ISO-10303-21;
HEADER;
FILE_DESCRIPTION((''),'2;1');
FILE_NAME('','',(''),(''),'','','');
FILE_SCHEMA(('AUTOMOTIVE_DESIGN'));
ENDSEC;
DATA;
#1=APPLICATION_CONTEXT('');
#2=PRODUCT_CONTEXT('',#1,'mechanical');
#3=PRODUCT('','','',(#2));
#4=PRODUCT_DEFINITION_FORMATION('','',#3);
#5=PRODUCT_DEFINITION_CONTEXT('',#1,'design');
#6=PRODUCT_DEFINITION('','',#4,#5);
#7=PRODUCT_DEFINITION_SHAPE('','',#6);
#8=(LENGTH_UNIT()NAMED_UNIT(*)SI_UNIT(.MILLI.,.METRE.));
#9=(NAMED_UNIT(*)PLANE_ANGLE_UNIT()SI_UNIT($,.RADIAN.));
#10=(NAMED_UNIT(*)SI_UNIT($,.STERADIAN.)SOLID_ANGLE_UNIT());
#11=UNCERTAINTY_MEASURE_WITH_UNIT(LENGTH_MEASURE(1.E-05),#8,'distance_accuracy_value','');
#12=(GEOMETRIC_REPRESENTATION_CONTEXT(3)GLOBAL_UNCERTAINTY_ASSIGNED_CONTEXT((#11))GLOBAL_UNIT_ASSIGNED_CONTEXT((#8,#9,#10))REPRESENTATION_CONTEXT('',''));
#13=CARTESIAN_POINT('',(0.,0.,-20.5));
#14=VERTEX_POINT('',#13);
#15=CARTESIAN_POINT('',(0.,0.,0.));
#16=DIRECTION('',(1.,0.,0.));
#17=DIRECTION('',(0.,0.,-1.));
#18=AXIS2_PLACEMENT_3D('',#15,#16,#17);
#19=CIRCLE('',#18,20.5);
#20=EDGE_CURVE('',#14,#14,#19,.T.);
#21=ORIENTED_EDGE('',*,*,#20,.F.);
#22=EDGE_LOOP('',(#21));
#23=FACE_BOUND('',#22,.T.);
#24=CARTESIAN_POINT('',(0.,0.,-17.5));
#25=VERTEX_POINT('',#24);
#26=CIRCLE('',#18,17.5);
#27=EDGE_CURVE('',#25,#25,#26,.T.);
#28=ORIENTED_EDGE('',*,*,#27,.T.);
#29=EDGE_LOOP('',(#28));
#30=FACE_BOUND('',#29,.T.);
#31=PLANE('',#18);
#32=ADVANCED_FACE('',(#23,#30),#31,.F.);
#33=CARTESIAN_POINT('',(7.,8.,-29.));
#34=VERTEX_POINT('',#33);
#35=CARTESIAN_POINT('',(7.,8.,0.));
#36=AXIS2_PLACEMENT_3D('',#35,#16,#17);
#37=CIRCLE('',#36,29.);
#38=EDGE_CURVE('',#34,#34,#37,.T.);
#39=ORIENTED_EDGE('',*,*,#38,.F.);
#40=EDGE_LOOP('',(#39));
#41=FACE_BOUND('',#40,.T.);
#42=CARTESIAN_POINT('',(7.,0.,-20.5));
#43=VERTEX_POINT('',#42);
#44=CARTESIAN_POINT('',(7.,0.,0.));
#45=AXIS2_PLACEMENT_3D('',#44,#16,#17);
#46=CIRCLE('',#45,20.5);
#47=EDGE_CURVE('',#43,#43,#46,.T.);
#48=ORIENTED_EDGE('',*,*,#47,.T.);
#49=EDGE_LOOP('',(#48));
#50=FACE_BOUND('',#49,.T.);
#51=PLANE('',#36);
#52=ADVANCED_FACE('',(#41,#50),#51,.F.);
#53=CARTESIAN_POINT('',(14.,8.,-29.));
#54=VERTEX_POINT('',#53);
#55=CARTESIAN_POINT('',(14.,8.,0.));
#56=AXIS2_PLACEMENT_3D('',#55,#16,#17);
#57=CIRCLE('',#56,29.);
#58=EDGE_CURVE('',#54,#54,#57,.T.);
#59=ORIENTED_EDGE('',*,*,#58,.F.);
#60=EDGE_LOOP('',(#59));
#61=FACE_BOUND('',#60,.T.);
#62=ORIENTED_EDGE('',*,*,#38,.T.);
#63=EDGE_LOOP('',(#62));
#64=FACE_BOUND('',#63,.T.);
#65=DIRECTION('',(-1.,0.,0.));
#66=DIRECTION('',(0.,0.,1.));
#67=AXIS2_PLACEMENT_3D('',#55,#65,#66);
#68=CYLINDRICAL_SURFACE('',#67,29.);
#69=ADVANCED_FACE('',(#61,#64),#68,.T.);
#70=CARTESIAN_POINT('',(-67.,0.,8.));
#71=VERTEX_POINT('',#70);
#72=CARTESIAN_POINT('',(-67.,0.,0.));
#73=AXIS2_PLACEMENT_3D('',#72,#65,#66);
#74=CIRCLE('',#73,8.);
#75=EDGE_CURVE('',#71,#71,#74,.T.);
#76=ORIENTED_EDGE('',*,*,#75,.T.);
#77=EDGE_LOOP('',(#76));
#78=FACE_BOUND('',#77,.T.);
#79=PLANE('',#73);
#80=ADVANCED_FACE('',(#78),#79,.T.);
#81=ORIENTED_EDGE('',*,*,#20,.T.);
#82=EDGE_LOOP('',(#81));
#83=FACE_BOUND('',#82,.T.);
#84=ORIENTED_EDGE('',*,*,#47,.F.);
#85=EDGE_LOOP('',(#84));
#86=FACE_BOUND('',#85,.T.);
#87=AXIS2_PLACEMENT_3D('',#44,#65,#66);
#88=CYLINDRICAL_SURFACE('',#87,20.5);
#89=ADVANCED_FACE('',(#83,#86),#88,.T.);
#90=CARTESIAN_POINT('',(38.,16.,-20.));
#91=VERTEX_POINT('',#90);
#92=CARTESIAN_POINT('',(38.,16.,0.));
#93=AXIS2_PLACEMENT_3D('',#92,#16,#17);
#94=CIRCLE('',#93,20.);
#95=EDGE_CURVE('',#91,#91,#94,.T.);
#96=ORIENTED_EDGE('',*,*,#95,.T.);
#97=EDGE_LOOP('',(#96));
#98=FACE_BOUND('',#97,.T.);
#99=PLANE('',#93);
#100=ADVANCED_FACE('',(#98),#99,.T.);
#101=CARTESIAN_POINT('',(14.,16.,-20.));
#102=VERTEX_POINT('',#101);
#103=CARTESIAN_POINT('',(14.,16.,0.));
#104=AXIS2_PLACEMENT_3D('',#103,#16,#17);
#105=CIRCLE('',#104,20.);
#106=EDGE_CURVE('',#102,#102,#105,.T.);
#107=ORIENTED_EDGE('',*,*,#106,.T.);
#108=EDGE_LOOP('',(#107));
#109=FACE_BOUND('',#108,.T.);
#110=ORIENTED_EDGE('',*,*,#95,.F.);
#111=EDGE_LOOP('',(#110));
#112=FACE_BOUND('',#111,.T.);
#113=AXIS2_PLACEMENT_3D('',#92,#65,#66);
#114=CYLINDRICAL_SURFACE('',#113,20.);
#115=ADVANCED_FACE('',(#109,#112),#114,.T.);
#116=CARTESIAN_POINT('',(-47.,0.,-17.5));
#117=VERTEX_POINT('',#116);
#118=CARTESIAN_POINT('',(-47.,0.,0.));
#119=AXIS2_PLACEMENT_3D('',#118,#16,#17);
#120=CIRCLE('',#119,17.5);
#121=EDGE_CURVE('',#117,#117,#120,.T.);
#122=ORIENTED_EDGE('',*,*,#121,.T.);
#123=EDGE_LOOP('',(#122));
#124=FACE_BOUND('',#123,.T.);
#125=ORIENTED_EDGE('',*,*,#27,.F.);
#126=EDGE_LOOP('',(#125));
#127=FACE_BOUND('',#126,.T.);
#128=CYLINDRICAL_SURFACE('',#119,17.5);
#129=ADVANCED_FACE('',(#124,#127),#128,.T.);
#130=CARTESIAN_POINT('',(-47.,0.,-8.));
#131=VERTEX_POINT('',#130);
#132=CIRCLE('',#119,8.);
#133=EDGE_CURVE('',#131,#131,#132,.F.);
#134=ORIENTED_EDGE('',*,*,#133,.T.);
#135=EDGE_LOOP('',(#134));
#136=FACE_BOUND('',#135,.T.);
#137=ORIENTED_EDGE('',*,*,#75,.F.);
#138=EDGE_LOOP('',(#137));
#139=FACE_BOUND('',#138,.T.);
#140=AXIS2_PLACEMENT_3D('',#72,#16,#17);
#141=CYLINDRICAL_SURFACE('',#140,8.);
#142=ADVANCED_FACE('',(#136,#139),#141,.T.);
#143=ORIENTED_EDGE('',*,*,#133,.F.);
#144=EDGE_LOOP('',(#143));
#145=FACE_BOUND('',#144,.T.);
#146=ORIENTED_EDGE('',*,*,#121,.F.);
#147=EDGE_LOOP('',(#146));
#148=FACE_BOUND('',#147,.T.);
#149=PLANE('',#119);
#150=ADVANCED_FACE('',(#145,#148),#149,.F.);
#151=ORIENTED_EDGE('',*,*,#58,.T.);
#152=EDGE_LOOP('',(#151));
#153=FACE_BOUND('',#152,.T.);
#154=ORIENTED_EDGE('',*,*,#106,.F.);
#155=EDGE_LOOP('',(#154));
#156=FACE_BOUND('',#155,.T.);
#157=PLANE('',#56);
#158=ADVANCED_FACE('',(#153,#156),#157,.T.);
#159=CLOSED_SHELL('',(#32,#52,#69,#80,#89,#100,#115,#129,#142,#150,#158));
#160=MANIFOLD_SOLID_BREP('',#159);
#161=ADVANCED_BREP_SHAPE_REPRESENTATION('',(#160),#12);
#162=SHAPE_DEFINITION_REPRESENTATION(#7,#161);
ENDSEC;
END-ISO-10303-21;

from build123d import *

# Parameters (mm, degrees)
ESQUISSE2_R        = 17.5
BOSS_EXTRU_1_DEPTH = 47
ESQUISSE3_R        = 8
BOSS_EXTRU_2_DEPTH = 20
ESQUISSE4_R        = 20.5
BOSS_EXTRU_3_DEPTH = 7
ESQUISSE5_R        = 29
BOSS_EXTRU_4_DEPTH = 7
ESQUISSE6_R        = 20
BOSS_EXTRU_5_DEPTH = 24


with BuildPart() as part:
    # Esquisse2 → Boss.-Extru.1 (new body)
    with BuildSketch(Plane(origin=(0, 0, 0), x_dir=(0, 0, -1), z_dir=(1, 0, 0))):
        Circle(ESQUISSE2_R)
    extrude(amount=-BOSS_EXTRU_1_DEPTH)

    # Esquisse3 → Boss.-Extru.2 (add)
    with BuildSketch(Plane.ZY.offset(47)):
        Circle(ESQUISSE3_R)
    extrude(amount=BOSS_EXTRU_2_DEPTH)

    # Esquisse4 → Boss.-Extru.3 (add)
    with BuildSketch(Plane(origin=(0, 0, 0), x_dir=(0, 0, -1), z_dir=(1, 0, 0))):
        Circle(ESQUISSE4_R)
    extrude(amount=BOSS_EXTRU_3_DEPTH)

    # Esquisse5 → Boss.-Extru.4 (add)
    with BuildSketch(Plane(origin=(7, 0, 0), x_dir=(0, 0, -1), z_dir=(1, 0, 0))):
        with Locations((0, 8)):
            Circle(ESQUISSE5_R)
    extrude(amount=BOSS_EXTRU_4_DEPTH)

    # Esquisse6 → Boss.-Extru.5 (add)
    with BuildSketch(Plane(origin=(14, 0, 0), x_dir=(0, 0, -1), z_dir=(1, 0, 0))):
        with Locations((0, 16)):
            Circle(ESQUISSE6_R)
    extrude(amount=BOSS_EXTRU_5_DEPTH)


solid = part.part
